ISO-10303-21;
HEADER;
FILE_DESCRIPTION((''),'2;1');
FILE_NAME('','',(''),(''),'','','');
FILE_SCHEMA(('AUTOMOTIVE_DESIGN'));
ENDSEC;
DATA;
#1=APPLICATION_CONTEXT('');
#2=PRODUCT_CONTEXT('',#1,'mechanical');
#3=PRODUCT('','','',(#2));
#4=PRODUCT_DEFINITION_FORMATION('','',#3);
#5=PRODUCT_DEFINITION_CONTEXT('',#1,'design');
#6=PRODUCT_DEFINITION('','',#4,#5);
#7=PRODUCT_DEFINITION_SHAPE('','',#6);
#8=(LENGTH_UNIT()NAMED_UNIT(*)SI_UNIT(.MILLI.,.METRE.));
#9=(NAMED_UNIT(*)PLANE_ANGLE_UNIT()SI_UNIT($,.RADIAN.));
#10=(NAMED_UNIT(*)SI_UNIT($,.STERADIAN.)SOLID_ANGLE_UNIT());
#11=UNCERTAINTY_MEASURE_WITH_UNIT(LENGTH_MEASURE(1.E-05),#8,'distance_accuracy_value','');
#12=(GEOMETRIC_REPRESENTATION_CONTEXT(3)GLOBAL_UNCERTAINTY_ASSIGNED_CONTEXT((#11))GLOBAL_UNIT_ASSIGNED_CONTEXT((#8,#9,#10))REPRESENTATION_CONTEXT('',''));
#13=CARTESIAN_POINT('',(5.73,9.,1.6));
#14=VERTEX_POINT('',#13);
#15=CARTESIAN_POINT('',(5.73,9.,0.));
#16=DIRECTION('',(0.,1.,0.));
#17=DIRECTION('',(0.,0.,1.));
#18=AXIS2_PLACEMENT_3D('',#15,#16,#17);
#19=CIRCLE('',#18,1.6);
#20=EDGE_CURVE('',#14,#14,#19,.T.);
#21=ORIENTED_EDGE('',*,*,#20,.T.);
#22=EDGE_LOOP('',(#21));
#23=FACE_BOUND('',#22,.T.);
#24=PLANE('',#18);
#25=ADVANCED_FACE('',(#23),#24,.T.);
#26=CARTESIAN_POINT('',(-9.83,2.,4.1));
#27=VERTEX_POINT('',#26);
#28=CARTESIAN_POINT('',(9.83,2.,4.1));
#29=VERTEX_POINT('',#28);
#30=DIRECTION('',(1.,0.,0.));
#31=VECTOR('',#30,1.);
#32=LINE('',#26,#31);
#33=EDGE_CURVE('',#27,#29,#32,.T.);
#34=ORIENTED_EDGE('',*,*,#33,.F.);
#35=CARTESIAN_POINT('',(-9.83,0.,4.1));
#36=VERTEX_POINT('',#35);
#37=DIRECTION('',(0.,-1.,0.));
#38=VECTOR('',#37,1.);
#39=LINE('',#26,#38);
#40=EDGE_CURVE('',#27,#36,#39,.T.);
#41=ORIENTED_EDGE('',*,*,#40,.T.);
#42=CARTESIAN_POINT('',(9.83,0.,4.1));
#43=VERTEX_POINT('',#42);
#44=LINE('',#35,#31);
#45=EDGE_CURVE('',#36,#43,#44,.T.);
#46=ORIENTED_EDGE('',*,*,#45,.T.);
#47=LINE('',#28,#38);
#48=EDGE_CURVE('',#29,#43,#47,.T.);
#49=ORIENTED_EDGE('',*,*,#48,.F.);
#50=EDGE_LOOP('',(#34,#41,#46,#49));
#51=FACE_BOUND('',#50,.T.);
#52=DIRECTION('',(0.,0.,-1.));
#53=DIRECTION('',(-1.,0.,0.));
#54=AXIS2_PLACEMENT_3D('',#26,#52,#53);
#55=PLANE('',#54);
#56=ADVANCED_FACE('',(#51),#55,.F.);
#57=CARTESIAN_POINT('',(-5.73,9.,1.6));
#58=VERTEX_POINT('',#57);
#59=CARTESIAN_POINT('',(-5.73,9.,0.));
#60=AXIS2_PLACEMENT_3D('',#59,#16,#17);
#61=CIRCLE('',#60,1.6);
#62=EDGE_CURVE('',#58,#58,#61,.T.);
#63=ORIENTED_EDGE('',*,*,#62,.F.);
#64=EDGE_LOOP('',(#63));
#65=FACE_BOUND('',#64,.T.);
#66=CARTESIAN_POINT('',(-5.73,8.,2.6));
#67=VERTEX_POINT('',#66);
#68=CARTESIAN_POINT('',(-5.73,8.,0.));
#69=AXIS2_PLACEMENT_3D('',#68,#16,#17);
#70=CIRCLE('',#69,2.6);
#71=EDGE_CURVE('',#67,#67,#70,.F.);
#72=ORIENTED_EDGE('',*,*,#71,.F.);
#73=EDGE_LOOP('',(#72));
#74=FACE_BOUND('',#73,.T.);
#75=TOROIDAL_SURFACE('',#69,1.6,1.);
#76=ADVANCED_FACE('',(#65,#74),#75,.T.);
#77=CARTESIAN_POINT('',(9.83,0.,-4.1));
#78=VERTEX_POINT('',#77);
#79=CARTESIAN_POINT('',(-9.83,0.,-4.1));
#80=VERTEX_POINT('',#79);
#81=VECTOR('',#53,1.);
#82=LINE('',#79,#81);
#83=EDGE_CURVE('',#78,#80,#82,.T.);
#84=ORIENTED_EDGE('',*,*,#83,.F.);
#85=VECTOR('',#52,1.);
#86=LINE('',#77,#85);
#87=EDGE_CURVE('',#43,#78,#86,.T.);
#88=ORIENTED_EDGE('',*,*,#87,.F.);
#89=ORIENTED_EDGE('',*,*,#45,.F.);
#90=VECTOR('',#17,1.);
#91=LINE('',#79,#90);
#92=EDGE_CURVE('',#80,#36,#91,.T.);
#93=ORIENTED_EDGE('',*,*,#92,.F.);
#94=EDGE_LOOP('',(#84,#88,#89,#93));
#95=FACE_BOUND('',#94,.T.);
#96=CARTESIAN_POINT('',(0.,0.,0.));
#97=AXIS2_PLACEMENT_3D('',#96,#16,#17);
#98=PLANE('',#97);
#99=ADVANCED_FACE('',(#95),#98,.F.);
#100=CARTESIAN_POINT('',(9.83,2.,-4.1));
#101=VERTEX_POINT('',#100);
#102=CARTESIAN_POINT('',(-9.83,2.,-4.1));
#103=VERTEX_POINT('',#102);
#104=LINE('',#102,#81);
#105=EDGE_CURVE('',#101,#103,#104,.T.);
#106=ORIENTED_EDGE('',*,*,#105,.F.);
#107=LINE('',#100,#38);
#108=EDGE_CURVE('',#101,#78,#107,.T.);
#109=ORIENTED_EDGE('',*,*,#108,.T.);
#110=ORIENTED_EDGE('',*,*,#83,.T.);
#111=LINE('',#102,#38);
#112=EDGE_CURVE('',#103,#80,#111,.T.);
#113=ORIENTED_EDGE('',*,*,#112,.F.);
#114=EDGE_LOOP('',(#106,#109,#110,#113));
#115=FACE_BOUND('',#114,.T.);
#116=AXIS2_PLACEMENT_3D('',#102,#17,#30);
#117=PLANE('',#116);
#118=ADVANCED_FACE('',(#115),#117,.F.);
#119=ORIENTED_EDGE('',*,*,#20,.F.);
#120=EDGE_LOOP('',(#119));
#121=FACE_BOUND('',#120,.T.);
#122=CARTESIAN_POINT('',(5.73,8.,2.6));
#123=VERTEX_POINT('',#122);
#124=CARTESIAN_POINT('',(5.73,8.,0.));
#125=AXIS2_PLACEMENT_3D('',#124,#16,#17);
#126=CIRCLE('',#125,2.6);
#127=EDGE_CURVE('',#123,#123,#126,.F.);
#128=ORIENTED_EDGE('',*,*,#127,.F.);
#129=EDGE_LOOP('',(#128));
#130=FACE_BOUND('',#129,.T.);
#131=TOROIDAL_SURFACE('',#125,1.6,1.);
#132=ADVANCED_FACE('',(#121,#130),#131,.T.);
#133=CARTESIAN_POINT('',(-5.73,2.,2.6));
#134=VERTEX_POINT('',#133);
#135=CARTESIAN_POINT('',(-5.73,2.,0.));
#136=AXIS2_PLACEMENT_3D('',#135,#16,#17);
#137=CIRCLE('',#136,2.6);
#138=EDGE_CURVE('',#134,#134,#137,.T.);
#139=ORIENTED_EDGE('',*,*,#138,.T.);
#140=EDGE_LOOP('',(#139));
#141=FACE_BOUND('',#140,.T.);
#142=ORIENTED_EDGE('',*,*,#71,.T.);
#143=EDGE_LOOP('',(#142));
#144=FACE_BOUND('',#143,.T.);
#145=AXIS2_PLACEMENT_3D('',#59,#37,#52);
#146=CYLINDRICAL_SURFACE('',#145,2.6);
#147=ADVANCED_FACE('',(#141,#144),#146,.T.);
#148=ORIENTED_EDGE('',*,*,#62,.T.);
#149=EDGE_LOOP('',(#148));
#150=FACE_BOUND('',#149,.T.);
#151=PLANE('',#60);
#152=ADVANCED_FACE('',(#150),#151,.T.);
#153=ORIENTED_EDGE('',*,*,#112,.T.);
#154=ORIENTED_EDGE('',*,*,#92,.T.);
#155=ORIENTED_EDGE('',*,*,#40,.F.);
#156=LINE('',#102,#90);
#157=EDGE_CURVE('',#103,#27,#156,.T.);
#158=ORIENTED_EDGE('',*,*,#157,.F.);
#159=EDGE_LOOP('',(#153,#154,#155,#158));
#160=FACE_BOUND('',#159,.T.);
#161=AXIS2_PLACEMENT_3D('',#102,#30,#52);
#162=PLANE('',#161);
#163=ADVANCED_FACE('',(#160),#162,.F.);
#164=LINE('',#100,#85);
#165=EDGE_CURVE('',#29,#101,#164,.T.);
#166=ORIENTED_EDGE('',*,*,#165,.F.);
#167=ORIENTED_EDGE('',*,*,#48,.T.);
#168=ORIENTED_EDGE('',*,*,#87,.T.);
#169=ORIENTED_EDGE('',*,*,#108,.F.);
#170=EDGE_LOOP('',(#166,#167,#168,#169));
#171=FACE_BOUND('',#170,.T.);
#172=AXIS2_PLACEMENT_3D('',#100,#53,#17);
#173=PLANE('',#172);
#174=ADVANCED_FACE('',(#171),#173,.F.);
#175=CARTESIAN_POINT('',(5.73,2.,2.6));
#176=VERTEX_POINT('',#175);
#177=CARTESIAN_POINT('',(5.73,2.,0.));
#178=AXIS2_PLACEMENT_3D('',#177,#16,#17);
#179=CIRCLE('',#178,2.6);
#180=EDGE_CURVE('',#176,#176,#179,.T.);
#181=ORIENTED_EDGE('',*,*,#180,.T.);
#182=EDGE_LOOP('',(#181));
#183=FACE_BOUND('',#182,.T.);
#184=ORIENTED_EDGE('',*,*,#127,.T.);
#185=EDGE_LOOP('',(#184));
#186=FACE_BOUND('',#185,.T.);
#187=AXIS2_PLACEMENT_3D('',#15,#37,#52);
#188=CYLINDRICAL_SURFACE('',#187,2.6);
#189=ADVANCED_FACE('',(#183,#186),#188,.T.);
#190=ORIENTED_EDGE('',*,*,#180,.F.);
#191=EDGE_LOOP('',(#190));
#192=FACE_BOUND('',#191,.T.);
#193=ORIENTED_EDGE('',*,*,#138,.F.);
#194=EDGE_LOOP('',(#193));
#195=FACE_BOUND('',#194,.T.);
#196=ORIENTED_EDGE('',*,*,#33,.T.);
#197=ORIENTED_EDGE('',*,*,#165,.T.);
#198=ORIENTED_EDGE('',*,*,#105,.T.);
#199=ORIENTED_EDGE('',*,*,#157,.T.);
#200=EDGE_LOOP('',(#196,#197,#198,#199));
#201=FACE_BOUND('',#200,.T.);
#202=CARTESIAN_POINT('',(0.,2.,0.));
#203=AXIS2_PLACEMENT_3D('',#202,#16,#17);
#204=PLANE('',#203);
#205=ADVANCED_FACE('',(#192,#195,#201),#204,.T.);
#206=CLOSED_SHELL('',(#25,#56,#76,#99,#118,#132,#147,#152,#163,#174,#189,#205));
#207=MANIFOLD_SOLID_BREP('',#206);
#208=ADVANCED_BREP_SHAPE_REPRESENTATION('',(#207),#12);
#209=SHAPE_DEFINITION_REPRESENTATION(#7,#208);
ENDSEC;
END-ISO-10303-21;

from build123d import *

# Parameters (mm, degrees)
SKETCH2_W           = 19.66
SKETCH2_H           = 8.2
BOSS_EXTRUDE1_DEPTH = 2
SKETCH3_R           = 2.6
BOSS_EXTRUDE2_DEPTH = 7
FILLET1_R           = 1


with BuildPart() as part:
    # Sketch2 → Boss-Extrude1 (new body)
    with BuildSketch(Plane(origin=(0, 0, 0), x_dir=(1, 0, 0), z_dir=(0, 1, 0))):
        Rectangle(SKETCH2_W, SKETCH2_H)
    extrude(amount=BOSS_EXTRUDE1_DEPTH)

    # Sketch3 → Boss-Extrude2 (add)
    with BuildSketch(Plane(origin=(0, 2, 0), x_dir=(1, 0, 0), z_dir=(0, 1, 0))):
        with Locations((-5.73, 0)):
            Circle(SKETCH3_R)
        with Locations((5.73, 0)):
            Circle(SKETCH3_R)
    extrude(amount=BOSS_EXTRUDE2_DEPTH)

    # Fillet1
    fillet1_edges = [part.edges().sort_by_distance(p)[0] for p in [
        (-8.33, 9, 0),
        (3.13, 9, 0),
    ]]
    fillet(fillet1_edges, radius=FILLET1_R)


solid = part.part
